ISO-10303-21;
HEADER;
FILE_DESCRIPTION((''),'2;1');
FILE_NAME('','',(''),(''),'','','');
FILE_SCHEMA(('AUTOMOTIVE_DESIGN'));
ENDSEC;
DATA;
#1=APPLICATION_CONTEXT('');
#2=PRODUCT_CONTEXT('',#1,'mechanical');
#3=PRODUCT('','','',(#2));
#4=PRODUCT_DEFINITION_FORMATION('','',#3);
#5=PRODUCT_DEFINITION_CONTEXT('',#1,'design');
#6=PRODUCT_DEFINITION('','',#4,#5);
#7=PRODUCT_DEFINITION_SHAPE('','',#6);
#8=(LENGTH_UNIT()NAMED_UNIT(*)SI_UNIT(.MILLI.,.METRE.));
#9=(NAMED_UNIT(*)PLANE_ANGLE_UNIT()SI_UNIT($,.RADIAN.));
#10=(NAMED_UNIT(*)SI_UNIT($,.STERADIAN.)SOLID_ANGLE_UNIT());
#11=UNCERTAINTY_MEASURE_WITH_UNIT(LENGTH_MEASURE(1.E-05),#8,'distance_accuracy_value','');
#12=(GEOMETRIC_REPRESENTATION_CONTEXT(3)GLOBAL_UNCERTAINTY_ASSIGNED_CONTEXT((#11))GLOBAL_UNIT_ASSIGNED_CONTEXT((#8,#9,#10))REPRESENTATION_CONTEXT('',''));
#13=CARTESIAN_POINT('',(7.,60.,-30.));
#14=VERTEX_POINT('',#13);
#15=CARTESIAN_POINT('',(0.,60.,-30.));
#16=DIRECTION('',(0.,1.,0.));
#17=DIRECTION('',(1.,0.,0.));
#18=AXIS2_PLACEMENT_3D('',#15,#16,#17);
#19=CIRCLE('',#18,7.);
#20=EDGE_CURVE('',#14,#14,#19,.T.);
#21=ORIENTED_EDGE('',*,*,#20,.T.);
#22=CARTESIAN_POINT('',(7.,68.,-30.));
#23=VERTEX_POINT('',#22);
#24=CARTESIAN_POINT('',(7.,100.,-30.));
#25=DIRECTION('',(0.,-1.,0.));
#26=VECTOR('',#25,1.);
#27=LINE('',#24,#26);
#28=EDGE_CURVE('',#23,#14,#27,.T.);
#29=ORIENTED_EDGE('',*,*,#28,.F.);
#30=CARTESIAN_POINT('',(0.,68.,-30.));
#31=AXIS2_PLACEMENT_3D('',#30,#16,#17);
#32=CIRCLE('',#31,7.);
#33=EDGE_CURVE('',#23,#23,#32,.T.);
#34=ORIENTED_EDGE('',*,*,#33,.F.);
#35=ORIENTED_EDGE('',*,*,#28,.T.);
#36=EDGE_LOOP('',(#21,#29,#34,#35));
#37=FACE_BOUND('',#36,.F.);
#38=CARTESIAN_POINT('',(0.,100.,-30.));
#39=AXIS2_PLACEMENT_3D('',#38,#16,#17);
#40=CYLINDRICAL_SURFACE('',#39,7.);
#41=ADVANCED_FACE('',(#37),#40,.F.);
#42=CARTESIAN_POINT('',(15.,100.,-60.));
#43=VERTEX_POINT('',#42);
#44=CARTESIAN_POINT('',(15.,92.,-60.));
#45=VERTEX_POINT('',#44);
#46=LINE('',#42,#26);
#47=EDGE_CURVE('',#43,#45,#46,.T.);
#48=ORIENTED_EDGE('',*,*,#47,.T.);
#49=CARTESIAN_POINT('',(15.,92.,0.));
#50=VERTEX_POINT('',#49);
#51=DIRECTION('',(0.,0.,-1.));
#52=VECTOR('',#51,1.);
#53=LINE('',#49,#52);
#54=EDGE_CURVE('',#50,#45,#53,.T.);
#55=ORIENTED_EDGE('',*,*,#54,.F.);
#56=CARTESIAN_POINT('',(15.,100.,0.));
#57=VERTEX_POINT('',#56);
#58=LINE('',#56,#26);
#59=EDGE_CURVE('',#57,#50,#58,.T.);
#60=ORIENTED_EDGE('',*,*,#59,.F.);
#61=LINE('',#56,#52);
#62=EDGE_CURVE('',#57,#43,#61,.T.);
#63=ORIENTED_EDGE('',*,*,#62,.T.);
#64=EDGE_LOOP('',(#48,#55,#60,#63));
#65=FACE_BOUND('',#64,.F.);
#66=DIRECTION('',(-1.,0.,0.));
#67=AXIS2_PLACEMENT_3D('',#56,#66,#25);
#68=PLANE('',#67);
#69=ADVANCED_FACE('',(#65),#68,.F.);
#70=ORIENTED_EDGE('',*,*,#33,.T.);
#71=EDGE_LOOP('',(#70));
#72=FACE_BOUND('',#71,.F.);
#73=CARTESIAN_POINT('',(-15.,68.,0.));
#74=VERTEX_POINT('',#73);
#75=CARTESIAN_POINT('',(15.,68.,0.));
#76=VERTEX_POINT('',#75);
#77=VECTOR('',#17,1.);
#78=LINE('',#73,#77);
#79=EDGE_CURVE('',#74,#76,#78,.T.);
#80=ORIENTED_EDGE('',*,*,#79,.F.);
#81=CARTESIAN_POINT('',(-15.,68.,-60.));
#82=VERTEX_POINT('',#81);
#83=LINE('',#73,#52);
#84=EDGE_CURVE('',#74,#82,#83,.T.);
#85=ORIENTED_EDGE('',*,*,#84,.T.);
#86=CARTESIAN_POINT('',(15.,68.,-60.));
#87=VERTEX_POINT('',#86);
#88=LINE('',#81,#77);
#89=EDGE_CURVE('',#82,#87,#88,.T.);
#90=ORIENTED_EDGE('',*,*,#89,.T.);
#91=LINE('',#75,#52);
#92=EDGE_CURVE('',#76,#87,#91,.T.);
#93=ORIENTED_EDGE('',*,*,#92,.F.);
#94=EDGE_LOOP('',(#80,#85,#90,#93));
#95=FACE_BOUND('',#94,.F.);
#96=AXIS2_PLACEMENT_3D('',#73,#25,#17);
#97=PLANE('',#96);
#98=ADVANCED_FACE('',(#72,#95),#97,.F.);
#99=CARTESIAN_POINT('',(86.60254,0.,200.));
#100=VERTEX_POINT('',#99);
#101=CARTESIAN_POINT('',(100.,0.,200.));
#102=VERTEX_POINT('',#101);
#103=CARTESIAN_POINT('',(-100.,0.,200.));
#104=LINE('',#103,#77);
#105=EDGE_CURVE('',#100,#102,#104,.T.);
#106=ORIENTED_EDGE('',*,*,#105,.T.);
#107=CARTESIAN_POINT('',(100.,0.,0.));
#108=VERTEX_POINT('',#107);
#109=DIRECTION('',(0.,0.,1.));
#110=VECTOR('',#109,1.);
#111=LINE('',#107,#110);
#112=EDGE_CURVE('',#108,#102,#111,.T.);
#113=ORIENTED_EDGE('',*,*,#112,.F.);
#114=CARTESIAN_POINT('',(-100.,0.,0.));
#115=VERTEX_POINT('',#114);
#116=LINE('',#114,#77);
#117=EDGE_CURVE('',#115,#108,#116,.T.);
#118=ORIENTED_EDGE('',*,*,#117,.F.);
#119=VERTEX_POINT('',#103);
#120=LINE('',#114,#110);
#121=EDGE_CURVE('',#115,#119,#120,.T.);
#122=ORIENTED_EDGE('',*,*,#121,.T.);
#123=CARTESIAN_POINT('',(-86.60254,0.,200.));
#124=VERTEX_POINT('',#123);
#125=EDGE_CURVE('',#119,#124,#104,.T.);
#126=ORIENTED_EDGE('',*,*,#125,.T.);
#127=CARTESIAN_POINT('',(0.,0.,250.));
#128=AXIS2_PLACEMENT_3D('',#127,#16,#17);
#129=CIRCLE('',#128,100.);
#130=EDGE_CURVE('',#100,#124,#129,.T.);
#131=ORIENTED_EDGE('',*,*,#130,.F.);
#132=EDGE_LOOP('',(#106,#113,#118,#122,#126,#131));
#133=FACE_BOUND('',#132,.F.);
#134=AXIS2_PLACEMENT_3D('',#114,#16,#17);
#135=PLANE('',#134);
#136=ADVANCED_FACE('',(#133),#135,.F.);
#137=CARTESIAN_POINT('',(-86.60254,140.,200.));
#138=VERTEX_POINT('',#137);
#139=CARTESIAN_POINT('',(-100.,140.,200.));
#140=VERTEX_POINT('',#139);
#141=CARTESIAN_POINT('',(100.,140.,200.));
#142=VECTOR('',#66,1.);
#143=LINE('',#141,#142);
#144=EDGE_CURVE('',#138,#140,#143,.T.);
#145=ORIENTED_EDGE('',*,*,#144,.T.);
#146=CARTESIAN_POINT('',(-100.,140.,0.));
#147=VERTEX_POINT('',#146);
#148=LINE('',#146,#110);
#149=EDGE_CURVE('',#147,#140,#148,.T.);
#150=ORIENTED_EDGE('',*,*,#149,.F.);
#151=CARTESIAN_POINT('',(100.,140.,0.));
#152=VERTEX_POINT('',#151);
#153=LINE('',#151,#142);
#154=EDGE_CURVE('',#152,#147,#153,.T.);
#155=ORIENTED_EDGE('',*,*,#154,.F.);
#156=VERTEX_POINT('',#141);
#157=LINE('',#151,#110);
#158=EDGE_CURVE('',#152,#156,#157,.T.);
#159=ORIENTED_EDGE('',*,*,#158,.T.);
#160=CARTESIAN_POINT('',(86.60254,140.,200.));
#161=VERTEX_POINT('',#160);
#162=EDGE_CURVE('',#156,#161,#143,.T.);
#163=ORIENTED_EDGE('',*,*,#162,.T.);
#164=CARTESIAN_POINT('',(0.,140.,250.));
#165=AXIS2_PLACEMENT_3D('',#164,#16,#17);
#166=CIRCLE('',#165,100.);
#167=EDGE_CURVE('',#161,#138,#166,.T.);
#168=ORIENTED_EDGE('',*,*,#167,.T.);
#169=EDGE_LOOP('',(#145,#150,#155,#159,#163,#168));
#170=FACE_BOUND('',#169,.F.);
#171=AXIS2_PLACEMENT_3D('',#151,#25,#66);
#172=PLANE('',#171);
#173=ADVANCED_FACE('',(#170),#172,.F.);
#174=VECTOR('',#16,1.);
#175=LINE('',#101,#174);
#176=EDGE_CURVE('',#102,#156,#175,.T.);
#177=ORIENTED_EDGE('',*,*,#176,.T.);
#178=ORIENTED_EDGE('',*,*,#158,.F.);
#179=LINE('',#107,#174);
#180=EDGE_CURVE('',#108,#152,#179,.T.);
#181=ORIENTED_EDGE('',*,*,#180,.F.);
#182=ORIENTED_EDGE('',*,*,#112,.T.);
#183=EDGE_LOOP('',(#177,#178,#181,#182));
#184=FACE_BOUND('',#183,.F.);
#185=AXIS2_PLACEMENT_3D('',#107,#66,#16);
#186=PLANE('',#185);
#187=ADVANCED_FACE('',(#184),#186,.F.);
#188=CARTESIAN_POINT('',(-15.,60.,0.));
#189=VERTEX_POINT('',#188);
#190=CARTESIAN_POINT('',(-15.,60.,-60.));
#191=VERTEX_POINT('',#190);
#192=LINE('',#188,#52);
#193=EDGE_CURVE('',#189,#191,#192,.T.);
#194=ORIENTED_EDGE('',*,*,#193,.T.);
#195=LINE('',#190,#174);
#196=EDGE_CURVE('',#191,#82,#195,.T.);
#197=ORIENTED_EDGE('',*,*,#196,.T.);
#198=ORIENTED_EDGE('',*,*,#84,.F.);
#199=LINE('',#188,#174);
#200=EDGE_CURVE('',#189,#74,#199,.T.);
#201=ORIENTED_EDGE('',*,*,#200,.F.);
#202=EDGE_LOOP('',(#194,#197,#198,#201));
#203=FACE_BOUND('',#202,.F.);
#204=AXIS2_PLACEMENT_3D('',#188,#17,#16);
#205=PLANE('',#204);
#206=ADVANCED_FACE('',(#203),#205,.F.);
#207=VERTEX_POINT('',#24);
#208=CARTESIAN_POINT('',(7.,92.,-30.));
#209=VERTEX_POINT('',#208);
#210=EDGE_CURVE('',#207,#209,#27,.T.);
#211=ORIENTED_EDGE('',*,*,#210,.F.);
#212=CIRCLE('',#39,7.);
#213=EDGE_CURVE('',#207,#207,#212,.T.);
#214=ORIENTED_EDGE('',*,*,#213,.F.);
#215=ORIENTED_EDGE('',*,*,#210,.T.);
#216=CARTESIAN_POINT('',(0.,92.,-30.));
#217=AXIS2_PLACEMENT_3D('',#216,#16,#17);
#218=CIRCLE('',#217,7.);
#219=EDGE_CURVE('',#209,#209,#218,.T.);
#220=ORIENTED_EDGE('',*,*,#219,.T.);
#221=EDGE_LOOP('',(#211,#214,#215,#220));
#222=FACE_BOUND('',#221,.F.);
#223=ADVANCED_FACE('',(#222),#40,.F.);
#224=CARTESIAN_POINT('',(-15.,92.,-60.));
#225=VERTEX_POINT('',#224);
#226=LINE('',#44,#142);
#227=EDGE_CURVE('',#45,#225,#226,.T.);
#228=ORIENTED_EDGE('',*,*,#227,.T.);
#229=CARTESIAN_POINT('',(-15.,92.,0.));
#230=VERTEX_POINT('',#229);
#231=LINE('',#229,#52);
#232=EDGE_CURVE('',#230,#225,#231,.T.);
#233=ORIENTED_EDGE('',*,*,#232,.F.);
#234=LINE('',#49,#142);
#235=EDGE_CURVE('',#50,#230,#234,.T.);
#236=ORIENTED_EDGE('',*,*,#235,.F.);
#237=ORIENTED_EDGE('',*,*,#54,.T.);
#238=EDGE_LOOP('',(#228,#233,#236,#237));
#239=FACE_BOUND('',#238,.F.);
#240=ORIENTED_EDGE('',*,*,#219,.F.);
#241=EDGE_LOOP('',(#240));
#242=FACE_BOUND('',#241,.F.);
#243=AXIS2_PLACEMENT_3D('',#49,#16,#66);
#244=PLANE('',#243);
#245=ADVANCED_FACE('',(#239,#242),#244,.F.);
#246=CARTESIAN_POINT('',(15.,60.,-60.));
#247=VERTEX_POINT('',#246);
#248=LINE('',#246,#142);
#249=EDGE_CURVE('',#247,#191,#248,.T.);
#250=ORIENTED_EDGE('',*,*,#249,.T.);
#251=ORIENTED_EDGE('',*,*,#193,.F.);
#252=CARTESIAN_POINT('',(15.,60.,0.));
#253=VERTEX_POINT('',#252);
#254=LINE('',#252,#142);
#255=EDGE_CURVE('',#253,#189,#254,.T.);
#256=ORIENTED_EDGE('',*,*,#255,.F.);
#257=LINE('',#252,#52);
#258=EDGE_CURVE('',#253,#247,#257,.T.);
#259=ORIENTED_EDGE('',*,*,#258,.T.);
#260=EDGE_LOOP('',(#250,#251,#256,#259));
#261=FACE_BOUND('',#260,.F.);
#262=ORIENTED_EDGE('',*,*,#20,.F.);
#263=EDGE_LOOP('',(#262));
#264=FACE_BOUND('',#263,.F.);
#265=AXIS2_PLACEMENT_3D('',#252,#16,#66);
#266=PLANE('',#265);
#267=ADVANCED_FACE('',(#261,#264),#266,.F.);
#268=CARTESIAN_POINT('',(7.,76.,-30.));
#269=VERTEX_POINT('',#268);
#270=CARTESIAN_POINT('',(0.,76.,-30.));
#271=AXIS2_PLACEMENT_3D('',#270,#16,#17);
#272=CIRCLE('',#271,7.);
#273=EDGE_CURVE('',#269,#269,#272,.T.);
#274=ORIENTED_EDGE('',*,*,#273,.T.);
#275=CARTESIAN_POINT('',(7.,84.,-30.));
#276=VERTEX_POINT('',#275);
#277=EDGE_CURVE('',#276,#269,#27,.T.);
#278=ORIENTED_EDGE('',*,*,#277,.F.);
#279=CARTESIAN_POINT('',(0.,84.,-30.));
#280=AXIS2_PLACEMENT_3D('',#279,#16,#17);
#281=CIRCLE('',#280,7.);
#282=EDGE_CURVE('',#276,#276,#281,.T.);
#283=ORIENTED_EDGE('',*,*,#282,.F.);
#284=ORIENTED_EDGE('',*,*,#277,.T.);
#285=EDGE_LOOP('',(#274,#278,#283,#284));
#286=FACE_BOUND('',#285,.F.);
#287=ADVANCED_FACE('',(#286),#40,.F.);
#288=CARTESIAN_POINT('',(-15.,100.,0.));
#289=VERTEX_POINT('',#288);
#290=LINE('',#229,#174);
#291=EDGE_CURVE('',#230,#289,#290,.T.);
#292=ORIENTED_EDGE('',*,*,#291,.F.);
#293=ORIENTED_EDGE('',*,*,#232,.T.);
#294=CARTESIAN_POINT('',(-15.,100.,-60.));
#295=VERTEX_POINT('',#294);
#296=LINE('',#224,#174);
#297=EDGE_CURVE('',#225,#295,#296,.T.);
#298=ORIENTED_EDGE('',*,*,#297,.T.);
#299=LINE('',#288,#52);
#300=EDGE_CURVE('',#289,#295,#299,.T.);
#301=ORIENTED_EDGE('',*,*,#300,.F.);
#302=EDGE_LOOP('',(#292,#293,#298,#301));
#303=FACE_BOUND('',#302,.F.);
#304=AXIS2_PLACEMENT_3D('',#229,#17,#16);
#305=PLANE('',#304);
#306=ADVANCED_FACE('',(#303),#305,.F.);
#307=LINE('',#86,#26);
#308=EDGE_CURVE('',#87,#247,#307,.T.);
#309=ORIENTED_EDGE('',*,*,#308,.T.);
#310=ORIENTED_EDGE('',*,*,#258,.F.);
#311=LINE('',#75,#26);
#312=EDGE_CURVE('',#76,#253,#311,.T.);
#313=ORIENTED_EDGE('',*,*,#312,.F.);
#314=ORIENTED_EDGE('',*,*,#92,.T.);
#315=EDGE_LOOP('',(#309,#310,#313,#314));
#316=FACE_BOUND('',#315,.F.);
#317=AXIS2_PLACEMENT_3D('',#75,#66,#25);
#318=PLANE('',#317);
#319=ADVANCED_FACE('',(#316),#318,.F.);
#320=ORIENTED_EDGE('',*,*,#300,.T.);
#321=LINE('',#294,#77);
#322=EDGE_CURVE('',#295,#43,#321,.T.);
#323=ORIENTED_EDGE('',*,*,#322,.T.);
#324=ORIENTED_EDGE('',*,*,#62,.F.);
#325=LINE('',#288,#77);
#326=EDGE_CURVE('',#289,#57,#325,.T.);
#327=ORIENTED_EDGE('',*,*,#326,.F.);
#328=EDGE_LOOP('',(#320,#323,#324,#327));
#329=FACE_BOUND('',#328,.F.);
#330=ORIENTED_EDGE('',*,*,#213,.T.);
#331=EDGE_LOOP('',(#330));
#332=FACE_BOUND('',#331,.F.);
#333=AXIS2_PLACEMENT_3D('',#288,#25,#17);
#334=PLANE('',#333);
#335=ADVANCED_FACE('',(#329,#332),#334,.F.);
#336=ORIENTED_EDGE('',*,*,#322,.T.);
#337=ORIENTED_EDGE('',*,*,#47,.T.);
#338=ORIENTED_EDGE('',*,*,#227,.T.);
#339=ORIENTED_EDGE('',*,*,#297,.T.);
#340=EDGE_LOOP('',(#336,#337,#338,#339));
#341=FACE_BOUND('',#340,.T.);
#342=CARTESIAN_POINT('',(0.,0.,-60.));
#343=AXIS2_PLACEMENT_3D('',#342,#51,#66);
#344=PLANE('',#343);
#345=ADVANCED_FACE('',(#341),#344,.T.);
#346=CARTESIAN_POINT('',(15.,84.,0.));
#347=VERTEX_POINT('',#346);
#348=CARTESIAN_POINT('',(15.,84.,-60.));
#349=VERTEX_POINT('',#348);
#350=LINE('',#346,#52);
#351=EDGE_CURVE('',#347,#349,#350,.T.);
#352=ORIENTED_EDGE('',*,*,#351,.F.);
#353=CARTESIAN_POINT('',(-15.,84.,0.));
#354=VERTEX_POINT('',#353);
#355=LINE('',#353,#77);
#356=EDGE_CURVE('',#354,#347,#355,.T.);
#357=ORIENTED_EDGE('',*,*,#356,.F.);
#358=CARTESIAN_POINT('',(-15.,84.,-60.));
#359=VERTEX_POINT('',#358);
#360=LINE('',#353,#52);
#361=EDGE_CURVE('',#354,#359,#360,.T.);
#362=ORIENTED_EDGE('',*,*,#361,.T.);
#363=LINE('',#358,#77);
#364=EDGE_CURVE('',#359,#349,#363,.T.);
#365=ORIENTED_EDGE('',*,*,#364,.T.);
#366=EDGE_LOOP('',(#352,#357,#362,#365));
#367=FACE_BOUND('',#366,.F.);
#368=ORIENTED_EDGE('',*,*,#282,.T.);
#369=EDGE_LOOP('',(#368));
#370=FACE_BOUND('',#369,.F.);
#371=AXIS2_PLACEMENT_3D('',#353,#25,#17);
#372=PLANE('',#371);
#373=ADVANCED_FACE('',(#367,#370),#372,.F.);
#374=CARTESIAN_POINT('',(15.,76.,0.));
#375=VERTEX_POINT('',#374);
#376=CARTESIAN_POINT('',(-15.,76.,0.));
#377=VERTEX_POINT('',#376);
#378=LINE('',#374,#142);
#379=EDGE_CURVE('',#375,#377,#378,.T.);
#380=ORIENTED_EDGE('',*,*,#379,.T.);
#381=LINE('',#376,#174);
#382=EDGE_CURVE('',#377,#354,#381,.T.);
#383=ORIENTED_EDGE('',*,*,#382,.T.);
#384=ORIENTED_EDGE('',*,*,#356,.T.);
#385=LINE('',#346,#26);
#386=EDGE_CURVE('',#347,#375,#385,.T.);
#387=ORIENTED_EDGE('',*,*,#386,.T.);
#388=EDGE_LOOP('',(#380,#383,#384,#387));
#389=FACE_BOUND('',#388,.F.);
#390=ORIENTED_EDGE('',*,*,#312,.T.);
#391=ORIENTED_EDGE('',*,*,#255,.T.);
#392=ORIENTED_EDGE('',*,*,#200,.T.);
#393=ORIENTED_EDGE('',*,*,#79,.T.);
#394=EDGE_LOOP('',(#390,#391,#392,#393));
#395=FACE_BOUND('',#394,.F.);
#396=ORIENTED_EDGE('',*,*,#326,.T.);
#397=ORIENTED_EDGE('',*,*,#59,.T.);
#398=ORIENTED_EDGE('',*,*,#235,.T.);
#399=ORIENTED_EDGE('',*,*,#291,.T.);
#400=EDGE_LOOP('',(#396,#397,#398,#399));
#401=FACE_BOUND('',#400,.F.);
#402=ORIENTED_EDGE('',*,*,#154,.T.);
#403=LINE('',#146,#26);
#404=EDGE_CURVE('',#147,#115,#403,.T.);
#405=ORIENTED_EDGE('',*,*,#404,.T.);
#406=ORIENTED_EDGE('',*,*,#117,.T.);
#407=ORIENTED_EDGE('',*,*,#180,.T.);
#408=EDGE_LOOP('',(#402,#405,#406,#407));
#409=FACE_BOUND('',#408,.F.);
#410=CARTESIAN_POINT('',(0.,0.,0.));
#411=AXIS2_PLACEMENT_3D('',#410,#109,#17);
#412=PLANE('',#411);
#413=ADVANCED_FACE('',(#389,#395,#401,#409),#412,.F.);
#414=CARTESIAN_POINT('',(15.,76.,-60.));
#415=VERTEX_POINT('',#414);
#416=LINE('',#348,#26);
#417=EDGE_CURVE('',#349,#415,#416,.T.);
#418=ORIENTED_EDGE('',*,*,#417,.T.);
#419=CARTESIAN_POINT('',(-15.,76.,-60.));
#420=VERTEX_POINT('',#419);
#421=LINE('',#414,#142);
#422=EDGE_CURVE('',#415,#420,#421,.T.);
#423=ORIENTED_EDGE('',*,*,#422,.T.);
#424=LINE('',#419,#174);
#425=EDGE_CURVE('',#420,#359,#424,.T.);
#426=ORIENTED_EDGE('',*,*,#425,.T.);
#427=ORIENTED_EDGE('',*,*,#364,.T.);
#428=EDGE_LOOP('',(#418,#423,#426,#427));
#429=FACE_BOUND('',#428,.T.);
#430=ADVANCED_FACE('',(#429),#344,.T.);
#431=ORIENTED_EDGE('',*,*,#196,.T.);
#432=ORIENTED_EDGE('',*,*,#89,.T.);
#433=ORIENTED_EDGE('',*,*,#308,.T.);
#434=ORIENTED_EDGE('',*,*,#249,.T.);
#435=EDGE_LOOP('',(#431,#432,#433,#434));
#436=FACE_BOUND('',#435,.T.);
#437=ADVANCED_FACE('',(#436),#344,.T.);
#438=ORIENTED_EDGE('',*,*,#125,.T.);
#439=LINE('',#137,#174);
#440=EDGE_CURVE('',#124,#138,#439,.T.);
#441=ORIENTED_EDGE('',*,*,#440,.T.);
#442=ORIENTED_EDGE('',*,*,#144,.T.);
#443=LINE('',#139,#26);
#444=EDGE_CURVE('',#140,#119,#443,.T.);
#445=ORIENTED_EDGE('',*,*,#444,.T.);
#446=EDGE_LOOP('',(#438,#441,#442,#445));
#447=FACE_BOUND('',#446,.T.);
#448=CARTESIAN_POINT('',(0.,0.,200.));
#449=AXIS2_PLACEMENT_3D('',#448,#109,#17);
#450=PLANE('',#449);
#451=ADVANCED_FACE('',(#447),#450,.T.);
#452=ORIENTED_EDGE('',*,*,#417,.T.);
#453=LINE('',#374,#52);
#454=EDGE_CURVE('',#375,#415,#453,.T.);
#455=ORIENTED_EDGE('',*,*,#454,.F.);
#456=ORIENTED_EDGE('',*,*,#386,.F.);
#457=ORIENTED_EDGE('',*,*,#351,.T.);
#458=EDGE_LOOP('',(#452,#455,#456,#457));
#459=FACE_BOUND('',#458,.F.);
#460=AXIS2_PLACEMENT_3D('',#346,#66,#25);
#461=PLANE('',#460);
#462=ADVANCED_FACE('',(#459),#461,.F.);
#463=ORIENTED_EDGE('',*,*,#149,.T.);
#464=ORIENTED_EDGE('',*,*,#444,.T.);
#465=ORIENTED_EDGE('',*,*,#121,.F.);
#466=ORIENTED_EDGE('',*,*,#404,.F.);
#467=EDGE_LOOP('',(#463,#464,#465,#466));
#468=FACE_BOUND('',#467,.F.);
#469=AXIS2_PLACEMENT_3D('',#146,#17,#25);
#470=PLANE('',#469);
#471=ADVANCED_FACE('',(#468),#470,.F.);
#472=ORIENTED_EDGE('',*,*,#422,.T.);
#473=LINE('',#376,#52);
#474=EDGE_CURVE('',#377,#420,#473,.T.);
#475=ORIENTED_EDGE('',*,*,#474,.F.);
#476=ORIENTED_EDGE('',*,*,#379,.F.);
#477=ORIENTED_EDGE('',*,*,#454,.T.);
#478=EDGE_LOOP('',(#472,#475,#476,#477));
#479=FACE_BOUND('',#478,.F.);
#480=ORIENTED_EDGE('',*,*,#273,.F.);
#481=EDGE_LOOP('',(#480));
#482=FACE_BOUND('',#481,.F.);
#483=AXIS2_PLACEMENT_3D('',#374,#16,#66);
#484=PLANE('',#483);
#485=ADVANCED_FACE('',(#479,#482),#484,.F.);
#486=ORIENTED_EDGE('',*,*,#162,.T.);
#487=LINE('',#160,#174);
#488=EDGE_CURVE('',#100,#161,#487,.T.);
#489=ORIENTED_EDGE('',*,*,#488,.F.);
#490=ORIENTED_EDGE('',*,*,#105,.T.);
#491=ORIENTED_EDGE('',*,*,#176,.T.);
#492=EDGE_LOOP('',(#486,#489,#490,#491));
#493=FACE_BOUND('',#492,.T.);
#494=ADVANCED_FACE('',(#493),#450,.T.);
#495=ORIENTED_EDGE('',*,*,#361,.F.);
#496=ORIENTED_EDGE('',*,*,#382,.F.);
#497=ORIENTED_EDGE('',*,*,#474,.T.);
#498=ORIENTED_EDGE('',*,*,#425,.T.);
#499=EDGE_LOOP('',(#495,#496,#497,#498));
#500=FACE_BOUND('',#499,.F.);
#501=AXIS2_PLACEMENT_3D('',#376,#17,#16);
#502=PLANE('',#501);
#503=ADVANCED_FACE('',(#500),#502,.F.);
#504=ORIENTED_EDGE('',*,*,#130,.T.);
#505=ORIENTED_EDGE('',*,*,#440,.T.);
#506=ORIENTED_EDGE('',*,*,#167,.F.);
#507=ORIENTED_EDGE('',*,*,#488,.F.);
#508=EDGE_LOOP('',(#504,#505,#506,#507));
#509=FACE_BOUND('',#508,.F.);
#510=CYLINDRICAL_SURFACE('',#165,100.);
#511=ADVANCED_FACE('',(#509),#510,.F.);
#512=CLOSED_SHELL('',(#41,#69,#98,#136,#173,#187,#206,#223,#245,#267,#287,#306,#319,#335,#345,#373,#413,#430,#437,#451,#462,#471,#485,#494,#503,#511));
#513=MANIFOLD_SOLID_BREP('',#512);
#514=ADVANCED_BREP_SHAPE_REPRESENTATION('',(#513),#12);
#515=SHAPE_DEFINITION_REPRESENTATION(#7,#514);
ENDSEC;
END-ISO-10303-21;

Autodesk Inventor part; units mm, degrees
ref_plane "YZ Plane" through (0, 0, 0) normal (1, 0, 0) x (0, 1, 0)
ref_plane "XZ Plane" through (0, 0, 0) normal (0, 1, 0) x (-1, 0, 0)
ref_plane "XY Plane" through (0, 0, 0) normal (0, 0, 1) x (1, 0, 0)
sketch "Skizze1" plane through (0, 0, 0) normal (0, 0, 1) x (1, 0, 0)
  line L0 (-100, 0) -> (100, 0)
  line L1 (100, 0) -> (100, 140)
  line L2 (100, 140) -> (-100, 140)
  line L3 (-100, 140) -> (-100, 0)
  point P0 (0, 0)
  dimension "d0" = 200
  dimension "d1" = 140
extrude "Extrusion1" add sketch "Skizze1" along normal blind 200
sketch "Skizze2" plane through (-100, 140, 0) normal (0, 1, 0) x (1, 0, 0)
  circle A0 centre (100, -250) radius 100
  point P0 (100, 0)
  dimension "d4" = 200
extrude "Extrusion2" cut sketch "Skizze2" against normal blind 140
sketch "Skizze3" plane through (0, 0, 0) normal (0, 0, -1) x (-1, 0, 0)
  point P0 (0, 0)
sketch "Skizze4" plane through (0, 0, 0) normal (0, 0, -1) x (-1, 0, 0)
  line L0 (15, 68) -> (-15, 68)
  line L1 (-15, 68) -> (-15, 60)
  line L2 (-15, 60) -> (15, 60)
  line L3 (15, 60) -> (15, 68)
  line L4 (-15, 76) -> (15, 76)
  line L5 (15, 76) -> (15, 84)
  line L6 (15, 84) -> (-15, 84)
  line L7 (-15, 84) -> (-15, 76)
  line L8 (-15, 92) -> (15, 92)
  line L9 (15, 92) -> (15, 100)
  line L10 (15, 100) -> (-15, 100)
  line L11 (-15, 100) -> (-15, 92)
  point P0 (0, 0)
  dimension "d7" = 30
  dimension "d8" = 8
  dimension "d9" = 30
  dimension "d10" = 8
  dimension "d11" = 8
extrude "Extrusion3" add sketch "Skizze4" along normal blind 60
sketch "Skizze5" plane through (-15, 100, 0) normal (0, 1, 0) x (1, 0, 0)
  circle A0 centre (15, 30) radius 7
  line L0 (0, 60) -> (30, 60) projected
  arc A1 (30, 60) -> (0, 60) centre (15, 60) ccw
  point P0 (15, 0)
  dimension "d14" = 14
  dimension "d15" = 15
extrude "Extrusion4" cut sketch "Skizze5" against normal blind 40 contours A0
properties part number "Auswurf_Rampe"
